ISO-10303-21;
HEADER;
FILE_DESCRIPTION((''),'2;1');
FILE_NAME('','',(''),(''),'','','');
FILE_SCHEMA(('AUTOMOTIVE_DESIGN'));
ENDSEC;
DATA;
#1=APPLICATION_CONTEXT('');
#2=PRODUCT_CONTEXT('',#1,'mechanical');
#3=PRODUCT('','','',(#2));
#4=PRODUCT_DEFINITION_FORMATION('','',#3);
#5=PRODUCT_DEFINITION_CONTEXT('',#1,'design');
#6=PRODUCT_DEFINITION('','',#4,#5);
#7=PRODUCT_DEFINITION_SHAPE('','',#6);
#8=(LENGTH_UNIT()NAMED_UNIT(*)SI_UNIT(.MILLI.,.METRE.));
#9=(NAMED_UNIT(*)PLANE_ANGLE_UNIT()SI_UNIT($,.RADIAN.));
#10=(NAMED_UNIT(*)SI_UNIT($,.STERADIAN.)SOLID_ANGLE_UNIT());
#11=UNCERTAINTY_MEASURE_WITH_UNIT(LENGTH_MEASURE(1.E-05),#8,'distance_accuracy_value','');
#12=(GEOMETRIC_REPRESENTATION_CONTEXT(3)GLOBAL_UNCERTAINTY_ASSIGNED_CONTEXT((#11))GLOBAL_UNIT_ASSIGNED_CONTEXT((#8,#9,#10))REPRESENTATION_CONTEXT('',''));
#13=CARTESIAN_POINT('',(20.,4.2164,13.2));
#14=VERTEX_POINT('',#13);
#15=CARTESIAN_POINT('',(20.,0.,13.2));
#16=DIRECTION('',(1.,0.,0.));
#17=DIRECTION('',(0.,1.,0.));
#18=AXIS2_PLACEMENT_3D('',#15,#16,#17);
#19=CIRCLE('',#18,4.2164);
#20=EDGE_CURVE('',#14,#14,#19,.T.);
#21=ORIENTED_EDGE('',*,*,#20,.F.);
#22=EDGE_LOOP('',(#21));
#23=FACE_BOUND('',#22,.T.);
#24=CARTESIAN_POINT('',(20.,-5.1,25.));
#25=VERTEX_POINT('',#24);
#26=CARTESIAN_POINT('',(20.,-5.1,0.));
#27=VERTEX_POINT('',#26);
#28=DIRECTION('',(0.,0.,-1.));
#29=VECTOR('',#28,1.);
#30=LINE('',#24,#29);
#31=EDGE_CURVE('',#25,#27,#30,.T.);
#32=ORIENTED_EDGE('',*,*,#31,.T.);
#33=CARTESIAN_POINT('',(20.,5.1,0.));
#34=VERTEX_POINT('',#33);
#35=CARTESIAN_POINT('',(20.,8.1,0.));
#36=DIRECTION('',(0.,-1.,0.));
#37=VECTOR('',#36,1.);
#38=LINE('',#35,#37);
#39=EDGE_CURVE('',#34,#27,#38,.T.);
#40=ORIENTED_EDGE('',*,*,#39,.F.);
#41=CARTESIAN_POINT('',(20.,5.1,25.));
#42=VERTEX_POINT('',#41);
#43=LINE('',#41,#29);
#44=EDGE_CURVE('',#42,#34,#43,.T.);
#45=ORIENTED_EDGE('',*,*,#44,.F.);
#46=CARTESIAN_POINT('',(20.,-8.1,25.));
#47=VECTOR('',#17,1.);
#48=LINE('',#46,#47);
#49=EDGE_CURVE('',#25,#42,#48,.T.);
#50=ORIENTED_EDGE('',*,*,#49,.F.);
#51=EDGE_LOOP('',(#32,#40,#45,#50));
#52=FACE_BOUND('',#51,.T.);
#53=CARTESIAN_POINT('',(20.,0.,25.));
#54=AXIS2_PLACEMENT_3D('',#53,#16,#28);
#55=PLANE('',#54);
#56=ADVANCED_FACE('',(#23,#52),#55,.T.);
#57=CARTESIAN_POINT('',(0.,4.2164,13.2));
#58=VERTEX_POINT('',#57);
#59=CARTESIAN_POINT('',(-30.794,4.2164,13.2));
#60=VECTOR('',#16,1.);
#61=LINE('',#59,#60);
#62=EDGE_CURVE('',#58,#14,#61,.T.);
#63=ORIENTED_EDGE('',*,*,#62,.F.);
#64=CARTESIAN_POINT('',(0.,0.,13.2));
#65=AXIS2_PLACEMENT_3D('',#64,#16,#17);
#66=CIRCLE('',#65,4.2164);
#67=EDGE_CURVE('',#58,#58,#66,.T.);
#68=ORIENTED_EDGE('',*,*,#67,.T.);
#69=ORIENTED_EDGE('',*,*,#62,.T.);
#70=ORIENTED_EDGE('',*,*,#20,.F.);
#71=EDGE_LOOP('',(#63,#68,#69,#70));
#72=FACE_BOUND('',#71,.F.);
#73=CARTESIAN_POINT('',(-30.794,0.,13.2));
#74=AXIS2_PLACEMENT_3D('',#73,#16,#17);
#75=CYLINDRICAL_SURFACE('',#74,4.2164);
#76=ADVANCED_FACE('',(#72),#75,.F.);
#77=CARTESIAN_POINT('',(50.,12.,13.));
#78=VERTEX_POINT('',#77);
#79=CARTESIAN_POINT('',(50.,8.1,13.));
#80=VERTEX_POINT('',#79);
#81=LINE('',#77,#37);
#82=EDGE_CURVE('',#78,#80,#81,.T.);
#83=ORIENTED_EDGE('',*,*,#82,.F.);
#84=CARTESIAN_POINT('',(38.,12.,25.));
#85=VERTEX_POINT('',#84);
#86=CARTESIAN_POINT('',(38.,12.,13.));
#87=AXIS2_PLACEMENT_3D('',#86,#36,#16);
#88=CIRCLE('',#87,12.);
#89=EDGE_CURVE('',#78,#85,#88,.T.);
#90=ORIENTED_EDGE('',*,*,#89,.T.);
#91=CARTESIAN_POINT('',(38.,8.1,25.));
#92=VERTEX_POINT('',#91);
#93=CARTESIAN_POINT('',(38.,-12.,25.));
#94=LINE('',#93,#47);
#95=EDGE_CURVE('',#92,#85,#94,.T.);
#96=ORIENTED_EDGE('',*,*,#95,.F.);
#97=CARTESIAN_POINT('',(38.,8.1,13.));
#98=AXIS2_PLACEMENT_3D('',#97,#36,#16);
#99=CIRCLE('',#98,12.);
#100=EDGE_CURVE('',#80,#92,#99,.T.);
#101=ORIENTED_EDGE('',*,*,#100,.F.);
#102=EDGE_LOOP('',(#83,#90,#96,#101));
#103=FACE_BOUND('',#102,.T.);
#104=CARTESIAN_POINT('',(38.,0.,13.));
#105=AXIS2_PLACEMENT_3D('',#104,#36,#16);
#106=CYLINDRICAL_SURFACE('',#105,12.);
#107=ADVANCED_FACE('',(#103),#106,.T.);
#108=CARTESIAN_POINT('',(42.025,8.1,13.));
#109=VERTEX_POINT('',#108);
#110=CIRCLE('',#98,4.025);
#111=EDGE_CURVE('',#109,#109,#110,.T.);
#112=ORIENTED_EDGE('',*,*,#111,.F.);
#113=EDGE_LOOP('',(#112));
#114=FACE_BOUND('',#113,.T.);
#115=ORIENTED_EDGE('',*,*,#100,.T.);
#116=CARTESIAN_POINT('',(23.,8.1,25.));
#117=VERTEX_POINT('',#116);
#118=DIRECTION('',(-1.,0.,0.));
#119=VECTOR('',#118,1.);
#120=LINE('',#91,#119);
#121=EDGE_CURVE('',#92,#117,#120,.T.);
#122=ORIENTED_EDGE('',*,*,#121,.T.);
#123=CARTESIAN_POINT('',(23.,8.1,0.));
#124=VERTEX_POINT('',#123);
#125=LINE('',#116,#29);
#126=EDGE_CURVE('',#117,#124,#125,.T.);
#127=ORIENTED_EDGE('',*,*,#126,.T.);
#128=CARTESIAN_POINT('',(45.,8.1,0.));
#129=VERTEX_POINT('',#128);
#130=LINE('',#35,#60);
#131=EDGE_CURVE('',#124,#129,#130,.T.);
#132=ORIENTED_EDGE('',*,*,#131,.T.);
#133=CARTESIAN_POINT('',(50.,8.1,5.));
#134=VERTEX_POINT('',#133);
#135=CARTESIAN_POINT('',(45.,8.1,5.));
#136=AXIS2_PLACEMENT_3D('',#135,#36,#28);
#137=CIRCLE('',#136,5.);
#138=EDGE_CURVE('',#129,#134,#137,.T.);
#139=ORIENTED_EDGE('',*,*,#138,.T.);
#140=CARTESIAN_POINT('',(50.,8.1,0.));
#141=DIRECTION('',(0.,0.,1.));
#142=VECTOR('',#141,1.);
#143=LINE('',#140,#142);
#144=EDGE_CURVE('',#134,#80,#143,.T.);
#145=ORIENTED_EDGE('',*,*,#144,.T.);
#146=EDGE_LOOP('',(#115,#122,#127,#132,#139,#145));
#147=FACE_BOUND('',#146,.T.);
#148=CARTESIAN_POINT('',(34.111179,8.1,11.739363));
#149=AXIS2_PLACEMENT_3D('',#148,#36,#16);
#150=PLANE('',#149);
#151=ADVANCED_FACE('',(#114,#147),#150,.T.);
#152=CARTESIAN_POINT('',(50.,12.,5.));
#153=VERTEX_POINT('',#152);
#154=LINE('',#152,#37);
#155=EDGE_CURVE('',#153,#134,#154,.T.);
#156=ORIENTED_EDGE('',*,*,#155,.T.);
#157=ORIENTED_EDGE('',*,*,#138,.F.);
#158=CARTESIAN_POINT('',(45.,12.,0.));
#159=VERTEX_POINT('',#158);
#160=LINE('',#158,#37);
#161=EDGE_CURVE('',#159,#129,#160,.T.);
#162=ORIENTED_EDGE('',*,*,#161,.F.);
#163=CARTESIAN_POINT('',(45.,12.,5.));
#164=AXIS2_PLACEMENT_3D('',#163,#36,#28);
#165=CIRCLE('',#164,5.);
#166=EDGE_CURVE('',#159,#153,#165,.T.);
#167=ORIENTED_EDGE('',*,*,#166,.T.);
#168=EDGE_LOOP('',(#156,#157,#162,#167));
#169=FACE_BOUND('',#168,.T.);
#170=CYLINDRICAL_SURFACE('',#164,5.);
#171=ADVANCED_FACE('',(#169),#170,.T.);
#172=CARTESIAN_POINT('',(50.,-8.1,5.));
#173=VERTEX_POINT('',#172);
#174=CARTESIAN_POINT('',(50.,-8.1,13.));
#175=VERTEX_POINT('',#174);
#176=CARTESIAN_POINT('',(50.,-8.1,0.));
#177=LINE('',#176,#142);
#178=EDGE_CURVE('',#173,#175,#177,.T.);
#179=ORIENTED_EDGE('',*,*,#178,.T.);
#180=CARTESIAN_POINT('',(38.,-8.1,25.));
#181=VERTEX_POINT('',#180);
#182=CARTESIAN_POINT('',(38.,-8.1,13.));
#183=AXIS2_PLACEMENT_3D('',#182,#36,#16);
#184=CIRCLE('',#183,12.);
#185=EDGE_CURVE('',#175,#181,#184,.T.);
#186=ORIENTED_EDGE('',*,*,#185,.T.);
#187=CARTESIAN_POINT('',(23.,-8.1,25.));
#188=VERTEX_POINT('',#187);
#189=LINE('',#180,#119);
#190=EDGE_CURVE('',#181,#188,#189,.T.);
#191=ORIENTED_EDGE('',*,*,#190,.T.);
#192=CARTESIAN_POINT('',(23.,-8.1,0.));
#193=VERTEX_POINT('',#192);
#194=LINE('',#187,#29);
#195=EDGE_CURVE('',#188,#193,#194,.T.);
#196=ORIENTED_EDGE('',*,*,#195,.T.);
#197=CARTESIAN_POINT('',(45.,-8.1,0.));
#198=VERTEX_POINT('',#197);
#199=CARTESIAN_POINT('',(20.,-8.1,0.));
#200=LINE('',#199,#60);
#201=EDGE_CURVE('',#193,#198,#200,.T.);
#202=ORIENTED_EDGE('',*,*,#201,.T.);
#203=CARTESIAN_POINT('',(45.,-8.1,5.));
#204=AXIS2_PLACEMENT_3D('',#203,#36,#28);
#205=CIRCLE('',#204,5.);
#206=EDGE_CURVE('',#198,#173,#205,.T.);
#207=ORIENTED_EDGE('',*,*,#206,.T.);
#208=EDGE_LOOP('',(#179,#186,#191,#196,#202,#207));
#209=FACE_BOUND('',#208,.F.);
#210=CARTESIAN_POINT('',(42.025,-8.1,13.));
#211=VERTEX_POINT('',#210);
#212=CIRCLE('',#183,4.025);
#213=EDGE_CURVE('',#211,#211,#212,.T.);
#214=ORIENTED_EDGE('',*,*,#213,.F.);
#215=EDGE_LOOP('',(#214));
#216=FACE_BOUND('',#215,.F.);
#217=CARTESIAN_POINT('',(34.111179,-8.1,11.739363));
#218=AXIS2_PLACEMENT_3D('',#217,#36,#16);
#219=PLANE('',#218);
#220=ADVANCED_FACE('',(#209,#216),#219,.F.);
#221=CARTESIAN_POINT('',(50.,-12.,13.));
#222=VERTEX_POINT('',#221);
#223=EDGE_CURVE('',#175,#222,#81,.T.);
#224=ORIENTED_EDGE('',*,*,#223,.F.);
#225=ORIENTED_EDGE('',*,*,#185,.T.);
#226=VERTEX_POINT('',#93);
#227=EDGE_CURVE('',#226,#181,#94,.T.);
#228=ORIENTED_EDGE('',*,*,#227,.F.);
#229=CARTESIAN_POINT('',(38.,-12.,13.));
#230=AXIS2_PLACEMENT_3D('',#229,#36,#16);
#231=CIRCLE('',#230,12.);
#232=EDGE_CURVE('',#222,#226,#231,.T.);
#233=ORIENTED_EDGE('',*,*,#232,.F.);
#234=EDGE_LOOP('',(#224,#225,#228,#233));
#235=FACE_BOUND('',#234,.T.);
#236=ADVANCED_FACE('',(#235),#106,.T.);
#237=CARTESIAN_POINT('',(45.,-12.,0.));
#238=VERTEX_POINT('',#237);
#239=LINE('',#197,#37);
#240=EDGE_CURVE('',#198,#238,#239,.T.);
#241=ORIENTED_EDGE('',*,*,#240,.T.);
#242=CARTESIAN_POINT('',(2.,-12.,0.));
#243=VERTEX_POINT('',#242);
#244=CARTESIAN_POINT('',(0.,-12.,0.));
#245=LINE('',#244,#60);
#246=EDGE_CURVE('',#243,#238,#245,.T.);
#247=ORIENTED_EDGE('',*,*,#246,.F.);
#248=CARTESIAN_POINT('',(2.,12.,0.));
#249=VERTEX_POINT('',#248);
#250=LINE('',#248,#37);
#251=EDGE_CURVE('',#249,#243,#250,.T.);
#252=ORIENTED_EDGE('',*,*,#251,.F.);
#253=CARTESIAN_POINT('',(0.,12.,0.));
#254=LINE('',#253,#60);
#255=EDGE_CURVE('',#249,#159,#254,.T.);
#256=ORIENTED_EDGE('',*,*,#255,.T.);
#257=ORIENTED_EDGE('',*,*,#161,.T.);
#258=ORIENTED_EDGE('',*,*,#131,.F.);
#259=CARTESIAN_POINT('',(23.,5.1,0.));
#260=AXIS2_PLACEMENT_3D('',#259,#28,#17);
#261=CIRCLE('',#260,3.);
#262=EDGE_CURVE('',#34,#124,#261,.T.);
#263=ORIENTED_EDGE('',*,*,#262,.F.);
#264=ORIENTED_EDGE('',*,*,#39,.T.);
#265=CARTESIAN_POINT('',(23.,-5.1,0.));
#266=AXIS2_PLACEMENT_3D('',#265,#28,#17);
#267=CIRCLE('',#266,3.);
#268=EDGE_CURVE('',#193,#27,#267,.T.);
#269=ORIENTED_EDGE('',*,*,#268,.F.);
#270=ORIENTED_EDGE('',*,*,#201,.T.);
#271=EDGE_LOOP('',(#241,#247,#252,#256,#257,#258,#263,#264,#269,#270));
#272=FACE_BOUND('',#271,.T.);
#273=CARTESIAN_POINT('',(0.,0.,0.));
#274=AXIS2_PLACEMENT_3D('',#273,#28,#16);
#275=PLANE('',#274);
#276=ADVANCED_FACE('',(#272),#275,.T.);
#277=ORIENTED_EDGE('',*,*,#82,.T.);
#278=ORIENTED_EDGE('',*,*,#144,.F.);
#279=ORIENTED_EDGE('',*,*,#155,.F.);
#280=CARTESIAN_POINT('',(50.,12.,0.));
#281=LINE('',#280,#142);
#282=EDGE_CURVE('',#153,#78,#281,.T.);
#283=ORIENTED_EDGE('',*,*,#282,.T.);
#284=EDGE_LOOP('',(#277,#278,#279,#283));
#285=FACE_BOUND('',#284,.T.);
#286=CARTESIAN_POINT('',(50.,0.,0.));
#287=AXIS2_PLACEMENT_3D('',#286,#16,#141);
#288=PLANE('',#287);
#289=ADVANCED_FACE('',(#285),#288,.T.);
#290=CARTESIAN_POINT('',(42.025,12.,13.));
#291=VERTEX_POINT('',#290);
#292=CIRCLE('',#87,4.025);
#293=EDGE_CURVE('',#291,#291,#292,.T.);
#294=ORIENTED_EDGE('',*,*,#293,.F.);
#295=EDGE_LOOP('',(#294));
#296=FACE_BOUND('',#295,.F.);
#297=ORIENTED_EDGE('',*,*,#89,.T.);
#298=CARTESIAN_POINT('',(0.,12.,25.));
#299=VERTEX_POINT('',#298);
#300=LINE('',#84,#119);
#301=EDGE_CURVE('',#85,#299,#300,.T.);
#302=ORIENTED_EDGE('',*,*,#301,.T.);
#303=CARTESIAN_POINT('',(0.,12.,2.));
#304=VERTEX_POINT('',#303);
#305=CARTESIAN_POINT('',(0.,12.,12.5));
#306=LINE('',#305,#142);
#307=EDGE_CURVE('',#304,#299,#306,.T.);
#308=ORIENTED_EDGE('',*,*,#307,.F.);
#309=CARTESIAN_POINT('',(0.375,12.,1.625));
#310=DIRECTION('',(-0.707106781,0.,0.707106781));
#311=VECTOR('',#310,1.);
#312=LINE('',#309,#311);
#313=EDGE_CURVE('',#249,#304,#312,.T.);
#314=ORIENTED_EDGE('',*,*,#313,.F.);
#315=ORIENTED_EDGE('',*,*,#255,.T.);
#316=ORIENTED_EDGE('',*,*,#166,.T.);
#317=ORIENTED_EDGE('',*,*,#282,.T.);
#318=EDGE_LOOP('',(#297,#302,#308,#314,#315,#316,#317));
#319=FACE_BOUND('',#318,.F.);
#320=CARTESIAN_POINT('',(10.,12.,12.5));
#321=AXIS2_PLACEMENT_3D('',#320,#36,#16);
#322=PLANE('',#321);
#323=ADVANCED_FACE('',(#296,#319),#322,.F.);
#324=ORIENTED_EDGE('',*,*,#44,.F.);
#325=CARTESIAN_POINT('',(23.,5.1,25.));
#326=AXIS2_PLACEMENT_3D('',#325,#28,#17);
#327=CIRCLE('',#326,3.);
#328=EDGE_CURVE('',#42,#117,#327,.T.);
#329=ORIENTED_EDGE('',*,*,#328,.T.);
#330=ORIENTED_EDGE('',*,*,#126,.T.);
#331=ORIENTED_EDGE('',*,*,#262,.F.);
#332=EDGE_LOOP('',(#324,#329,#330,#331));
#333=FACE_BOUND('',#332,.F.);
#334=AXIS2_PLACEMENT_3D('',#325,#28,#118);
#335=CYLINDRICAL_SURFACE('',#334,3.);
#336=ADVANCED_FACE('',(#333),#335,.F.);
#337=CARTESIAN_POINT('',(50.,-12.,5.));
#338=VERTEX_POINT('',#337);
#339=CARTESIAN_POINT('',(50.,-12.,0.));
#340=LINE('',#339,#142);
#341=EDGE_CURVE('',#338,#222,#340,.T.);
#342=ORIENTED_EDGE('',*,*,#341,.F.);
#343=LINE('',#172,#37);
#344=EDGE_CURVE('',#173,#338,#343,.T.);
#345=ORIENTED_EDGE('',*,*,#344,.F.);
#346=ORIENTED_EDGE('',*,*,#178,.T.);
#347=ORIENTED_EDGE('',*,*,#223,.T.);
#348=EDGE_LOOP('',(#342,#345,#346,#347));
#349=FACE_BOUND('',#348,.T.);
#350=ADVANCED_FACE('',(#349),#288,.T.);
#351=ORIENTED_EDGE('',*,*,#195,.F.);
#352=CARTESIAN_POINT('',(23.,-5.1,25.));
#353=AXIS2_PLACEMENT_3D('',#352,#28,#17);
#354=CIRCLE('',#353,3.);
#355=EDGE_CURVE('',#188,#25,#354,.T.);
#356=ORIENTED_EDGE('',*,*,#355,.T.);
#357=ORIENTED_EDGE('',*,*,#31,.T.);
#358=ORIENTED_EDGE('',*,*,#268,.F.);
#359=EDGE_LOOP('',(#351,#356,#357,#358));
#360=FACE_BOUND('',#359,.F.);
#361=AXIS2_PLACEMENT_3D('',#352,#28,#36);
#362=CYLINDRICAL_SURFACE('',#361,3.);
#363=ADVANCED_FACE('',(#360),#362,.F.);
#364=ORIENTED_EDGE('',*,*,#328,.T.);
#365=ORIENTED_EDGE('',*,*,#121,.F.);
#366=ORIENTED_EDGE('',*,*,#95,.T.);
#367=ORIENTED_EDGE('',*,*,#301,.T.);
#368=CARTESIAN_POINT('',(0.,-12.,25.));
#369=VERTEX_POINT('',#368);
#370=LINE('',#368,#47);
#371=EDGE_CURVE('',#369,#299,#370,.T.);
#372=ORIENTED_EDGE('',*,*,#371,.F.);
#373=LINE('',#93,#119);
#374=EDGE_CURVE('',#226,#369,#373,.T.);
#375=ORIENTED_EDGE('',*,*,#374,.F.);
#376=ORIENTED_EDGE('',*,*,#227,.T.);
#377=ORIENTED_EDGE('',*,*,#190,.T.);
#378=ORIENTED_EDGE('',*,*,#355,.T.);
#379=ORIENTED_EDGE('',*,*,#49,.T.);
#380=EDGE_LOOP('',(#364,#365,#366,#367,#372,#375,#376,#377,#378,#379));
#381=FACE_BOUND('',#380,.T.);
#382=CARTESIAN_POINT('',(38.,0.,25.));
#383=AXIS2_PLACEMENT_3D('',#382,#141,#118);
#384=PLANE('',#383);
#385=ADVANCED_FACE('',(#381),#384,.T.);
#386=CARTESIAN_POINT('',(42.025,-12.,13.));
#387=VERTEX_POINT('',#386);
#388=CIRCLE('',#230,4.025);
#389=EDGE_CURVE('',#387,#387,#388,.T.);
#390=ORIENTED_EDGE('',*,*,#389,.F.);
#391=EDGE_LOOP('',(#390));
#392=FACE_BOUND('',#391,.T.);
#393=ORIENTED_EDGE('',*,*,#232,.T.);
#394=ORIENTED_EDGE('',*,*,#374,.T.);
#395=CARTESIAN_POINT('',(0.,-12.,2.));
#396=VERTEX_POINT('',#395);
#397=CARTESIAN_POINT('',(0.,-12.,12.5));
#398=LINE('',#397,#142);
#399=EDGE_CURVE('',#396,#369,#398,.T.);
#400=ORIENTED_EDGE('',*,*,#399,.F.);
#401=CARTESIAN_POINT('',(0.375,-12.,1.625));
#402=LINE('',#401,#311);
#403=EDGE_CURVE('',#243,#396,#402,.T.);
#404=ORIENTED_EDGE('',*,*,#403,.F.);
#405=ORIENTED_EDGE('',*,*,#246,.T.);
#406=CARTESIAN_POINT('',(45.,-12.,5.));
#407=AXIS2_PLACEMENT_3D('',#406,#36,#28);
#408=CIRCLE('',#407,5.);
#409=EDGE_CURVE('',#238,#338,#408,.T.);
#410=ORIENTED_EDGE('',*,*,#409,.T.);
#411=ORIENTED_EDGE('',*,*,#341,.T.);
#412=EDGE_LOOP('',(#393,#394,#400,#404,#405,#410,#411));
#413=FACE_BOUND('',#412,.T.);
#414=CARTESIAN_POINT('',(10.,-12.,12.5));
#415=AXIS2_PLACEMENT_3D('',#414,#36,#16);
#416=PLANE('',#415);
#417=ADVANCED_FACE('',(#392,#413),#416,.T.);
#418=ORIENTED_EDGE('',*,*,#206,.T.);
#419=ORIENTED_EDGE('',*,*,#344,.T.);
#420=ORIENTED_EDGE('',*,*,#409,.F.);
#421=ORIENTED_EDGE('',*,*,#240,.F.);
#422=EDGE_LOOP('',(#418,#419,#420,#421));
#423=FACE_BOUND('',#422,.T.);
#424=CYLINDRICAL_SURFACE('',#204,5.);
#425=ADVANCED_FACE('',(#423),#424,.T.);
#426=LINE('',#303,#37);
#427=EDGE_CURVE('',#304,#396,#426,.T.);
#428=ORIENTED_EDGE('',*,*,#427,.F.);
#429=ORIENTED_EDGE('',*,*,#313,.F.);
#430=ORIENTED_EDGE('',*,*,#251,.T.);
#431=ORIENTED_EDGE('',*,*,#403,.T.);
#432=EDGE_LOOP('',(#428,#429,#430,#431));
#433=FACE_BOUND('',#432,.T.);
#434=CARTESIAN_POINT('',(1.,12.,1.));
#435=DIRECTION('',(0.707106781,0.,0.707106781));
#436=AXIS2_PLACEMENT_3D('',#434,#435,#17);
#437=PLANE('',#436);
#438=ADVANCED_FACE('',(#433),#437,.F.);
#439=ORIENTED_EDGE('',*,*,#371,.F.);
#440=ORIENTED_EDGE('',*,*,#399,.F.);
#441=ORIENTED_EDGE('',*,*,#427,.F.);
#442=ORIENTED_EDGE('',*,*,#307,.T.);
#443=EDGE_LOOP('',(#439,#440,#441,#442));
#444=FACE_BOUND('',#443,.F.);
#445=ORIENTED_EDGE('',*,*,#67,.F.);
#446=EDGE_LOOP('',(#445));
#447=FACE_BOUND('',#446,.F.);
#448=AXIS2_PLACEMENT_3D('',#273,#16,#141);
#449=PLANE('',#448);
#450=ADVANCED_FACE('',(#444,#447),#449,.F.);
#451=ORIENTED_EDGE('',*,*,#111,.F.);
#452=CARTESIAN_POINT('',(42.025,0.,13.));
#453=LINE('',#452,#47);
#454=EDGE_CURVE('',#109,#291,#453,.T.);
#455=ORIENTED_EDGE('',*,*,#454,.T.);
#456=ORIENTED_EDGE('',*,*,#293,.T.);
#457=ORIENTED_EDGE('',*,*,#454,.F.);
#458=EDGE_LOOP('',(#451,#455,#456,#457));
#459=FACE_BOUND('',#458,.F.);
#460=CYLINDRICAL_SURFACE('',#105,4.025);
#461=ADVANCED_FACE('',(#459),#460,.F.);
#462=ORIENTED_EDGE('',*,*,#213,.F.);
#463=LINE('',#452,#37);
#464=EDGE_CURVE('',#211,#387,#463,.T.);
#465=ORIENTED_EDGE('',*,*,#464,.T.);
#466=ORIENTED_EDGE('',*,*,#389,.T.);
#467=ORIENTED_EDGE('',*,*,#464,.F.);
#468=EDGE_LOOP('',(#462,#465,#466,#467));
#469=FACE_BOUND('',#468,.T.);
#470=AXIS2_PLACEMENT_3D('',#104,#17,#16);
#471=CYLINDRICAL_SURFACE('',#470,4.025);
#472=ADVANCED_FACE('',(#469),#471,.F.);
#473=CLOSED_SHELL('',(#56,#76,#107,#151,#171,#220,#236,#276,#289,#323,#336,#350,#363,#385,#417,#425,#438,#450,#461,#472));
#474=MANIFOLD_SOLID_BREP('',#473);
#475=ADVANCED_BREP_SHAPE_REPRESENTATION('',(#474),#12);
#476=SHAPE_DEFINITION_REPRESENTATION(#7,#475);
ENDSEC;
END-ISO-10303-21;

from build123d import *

# Parameters (mm, degrees)
F0_W          = 20
F0_H          = 25
F0_R          = 4.025
F1_DEPTH      = 12
F1_DEPTH_BACK = 12
F2_DEPTH      = 8.1
F2_DEPTH_BACK = 8.1
F3_R          = 3
F4_R          = 5
F6_D          = 8.4328
F6_DEPTH      = 30.794
F6_TIP        = 2.5334687141
F7_SIZE       = 2


with BuildPart() as f1:
    # F0 (on Front) → F1 (new body, two sides)
    with BuildSketch(Plane.XZ) as f1_sk:
        with Locations((10, 12.5)):
            Rectangle(F0_W, F0_H)
        with BuildLine():
            Line((20, 25), (20, 0))
            Line((20, 0), (50, 0))
            Line((50, 0), (50, 13))
            ThreePointArc((50, 13), (46.4852813742, 21.4852813742), (38, 25))
            Line((38, 25), (20, 25))
        make_face()
        with Locations((38, 13)):
            Circle(F0_R, mode=Mode.SUBTRACT)
    extrude(amount=F1_DEPTH)
    extrude(f1_sk.sketch, amount=-F1_DEPTH_BACK)

    # F0 (on Front) → F2 (cut, two sides)
    with BuildSketch(Plane.XZ) as f2_sk:
        with BuildLine():
            Line((20, 25), (20, 0))
            Line((20, 0), (50, 0))
            Line((50, 0), (50, 13))
            ThreePointArc((50, 13), (46.4852813742, 21.4852813742), (38, 25))
            Line((38, 25), (20, 25))
        make_face()
        with Locations((38, 13)):
            Circle(F0_R, mode=Mode.SUBTRACT)
    extrude(amount=-F2_DEPTH, mode=Mode.SUBTRACT)
    extrude(f2_sk.sketch, amount=F2_DEPTH_BACK, mode=Mode.SUBTRACT)

    # F3
    f3_edges = [f1.edges().sort_by_distance(p)[0] for p in [
        (20, -8.1, 12.5),
        (20, 8.1, 12.5),
    ]]
    fillet(f3_edges, radius=F3_R)

    # F4
    f4_edges = [f1.edges().sort_by_distance(p)[0] for p in [
        (50, -10.05, 0),
        (50, 10.05, 0),
    ]]
    fillet(f4_edges, radius=F4_R)

    # F6
    with Locations(Plane(origin=(0, 0, 0), x_dir=(0, -1, 0), z_dir=(-1, 0, 0))):
        with Locations((0, 13.2)):
            Hole(F6_D / 2, depth=F6_DEPTH)
            with Locations((0, 0, -(F6_DEPTH + F6_TIP / 2))):  # 118° drill point
                Cone(0, F6_D / 2, F6_TIP, mode=Mode.SUBTRACT)

    # F7
    f7_edges = [f1.edges().sort_by_distance(p)[0] for p in [
        (0, 0, 0),
    ]]
    chamfer(f7_edges, length=F7_SIZE)


solid = f1.part
